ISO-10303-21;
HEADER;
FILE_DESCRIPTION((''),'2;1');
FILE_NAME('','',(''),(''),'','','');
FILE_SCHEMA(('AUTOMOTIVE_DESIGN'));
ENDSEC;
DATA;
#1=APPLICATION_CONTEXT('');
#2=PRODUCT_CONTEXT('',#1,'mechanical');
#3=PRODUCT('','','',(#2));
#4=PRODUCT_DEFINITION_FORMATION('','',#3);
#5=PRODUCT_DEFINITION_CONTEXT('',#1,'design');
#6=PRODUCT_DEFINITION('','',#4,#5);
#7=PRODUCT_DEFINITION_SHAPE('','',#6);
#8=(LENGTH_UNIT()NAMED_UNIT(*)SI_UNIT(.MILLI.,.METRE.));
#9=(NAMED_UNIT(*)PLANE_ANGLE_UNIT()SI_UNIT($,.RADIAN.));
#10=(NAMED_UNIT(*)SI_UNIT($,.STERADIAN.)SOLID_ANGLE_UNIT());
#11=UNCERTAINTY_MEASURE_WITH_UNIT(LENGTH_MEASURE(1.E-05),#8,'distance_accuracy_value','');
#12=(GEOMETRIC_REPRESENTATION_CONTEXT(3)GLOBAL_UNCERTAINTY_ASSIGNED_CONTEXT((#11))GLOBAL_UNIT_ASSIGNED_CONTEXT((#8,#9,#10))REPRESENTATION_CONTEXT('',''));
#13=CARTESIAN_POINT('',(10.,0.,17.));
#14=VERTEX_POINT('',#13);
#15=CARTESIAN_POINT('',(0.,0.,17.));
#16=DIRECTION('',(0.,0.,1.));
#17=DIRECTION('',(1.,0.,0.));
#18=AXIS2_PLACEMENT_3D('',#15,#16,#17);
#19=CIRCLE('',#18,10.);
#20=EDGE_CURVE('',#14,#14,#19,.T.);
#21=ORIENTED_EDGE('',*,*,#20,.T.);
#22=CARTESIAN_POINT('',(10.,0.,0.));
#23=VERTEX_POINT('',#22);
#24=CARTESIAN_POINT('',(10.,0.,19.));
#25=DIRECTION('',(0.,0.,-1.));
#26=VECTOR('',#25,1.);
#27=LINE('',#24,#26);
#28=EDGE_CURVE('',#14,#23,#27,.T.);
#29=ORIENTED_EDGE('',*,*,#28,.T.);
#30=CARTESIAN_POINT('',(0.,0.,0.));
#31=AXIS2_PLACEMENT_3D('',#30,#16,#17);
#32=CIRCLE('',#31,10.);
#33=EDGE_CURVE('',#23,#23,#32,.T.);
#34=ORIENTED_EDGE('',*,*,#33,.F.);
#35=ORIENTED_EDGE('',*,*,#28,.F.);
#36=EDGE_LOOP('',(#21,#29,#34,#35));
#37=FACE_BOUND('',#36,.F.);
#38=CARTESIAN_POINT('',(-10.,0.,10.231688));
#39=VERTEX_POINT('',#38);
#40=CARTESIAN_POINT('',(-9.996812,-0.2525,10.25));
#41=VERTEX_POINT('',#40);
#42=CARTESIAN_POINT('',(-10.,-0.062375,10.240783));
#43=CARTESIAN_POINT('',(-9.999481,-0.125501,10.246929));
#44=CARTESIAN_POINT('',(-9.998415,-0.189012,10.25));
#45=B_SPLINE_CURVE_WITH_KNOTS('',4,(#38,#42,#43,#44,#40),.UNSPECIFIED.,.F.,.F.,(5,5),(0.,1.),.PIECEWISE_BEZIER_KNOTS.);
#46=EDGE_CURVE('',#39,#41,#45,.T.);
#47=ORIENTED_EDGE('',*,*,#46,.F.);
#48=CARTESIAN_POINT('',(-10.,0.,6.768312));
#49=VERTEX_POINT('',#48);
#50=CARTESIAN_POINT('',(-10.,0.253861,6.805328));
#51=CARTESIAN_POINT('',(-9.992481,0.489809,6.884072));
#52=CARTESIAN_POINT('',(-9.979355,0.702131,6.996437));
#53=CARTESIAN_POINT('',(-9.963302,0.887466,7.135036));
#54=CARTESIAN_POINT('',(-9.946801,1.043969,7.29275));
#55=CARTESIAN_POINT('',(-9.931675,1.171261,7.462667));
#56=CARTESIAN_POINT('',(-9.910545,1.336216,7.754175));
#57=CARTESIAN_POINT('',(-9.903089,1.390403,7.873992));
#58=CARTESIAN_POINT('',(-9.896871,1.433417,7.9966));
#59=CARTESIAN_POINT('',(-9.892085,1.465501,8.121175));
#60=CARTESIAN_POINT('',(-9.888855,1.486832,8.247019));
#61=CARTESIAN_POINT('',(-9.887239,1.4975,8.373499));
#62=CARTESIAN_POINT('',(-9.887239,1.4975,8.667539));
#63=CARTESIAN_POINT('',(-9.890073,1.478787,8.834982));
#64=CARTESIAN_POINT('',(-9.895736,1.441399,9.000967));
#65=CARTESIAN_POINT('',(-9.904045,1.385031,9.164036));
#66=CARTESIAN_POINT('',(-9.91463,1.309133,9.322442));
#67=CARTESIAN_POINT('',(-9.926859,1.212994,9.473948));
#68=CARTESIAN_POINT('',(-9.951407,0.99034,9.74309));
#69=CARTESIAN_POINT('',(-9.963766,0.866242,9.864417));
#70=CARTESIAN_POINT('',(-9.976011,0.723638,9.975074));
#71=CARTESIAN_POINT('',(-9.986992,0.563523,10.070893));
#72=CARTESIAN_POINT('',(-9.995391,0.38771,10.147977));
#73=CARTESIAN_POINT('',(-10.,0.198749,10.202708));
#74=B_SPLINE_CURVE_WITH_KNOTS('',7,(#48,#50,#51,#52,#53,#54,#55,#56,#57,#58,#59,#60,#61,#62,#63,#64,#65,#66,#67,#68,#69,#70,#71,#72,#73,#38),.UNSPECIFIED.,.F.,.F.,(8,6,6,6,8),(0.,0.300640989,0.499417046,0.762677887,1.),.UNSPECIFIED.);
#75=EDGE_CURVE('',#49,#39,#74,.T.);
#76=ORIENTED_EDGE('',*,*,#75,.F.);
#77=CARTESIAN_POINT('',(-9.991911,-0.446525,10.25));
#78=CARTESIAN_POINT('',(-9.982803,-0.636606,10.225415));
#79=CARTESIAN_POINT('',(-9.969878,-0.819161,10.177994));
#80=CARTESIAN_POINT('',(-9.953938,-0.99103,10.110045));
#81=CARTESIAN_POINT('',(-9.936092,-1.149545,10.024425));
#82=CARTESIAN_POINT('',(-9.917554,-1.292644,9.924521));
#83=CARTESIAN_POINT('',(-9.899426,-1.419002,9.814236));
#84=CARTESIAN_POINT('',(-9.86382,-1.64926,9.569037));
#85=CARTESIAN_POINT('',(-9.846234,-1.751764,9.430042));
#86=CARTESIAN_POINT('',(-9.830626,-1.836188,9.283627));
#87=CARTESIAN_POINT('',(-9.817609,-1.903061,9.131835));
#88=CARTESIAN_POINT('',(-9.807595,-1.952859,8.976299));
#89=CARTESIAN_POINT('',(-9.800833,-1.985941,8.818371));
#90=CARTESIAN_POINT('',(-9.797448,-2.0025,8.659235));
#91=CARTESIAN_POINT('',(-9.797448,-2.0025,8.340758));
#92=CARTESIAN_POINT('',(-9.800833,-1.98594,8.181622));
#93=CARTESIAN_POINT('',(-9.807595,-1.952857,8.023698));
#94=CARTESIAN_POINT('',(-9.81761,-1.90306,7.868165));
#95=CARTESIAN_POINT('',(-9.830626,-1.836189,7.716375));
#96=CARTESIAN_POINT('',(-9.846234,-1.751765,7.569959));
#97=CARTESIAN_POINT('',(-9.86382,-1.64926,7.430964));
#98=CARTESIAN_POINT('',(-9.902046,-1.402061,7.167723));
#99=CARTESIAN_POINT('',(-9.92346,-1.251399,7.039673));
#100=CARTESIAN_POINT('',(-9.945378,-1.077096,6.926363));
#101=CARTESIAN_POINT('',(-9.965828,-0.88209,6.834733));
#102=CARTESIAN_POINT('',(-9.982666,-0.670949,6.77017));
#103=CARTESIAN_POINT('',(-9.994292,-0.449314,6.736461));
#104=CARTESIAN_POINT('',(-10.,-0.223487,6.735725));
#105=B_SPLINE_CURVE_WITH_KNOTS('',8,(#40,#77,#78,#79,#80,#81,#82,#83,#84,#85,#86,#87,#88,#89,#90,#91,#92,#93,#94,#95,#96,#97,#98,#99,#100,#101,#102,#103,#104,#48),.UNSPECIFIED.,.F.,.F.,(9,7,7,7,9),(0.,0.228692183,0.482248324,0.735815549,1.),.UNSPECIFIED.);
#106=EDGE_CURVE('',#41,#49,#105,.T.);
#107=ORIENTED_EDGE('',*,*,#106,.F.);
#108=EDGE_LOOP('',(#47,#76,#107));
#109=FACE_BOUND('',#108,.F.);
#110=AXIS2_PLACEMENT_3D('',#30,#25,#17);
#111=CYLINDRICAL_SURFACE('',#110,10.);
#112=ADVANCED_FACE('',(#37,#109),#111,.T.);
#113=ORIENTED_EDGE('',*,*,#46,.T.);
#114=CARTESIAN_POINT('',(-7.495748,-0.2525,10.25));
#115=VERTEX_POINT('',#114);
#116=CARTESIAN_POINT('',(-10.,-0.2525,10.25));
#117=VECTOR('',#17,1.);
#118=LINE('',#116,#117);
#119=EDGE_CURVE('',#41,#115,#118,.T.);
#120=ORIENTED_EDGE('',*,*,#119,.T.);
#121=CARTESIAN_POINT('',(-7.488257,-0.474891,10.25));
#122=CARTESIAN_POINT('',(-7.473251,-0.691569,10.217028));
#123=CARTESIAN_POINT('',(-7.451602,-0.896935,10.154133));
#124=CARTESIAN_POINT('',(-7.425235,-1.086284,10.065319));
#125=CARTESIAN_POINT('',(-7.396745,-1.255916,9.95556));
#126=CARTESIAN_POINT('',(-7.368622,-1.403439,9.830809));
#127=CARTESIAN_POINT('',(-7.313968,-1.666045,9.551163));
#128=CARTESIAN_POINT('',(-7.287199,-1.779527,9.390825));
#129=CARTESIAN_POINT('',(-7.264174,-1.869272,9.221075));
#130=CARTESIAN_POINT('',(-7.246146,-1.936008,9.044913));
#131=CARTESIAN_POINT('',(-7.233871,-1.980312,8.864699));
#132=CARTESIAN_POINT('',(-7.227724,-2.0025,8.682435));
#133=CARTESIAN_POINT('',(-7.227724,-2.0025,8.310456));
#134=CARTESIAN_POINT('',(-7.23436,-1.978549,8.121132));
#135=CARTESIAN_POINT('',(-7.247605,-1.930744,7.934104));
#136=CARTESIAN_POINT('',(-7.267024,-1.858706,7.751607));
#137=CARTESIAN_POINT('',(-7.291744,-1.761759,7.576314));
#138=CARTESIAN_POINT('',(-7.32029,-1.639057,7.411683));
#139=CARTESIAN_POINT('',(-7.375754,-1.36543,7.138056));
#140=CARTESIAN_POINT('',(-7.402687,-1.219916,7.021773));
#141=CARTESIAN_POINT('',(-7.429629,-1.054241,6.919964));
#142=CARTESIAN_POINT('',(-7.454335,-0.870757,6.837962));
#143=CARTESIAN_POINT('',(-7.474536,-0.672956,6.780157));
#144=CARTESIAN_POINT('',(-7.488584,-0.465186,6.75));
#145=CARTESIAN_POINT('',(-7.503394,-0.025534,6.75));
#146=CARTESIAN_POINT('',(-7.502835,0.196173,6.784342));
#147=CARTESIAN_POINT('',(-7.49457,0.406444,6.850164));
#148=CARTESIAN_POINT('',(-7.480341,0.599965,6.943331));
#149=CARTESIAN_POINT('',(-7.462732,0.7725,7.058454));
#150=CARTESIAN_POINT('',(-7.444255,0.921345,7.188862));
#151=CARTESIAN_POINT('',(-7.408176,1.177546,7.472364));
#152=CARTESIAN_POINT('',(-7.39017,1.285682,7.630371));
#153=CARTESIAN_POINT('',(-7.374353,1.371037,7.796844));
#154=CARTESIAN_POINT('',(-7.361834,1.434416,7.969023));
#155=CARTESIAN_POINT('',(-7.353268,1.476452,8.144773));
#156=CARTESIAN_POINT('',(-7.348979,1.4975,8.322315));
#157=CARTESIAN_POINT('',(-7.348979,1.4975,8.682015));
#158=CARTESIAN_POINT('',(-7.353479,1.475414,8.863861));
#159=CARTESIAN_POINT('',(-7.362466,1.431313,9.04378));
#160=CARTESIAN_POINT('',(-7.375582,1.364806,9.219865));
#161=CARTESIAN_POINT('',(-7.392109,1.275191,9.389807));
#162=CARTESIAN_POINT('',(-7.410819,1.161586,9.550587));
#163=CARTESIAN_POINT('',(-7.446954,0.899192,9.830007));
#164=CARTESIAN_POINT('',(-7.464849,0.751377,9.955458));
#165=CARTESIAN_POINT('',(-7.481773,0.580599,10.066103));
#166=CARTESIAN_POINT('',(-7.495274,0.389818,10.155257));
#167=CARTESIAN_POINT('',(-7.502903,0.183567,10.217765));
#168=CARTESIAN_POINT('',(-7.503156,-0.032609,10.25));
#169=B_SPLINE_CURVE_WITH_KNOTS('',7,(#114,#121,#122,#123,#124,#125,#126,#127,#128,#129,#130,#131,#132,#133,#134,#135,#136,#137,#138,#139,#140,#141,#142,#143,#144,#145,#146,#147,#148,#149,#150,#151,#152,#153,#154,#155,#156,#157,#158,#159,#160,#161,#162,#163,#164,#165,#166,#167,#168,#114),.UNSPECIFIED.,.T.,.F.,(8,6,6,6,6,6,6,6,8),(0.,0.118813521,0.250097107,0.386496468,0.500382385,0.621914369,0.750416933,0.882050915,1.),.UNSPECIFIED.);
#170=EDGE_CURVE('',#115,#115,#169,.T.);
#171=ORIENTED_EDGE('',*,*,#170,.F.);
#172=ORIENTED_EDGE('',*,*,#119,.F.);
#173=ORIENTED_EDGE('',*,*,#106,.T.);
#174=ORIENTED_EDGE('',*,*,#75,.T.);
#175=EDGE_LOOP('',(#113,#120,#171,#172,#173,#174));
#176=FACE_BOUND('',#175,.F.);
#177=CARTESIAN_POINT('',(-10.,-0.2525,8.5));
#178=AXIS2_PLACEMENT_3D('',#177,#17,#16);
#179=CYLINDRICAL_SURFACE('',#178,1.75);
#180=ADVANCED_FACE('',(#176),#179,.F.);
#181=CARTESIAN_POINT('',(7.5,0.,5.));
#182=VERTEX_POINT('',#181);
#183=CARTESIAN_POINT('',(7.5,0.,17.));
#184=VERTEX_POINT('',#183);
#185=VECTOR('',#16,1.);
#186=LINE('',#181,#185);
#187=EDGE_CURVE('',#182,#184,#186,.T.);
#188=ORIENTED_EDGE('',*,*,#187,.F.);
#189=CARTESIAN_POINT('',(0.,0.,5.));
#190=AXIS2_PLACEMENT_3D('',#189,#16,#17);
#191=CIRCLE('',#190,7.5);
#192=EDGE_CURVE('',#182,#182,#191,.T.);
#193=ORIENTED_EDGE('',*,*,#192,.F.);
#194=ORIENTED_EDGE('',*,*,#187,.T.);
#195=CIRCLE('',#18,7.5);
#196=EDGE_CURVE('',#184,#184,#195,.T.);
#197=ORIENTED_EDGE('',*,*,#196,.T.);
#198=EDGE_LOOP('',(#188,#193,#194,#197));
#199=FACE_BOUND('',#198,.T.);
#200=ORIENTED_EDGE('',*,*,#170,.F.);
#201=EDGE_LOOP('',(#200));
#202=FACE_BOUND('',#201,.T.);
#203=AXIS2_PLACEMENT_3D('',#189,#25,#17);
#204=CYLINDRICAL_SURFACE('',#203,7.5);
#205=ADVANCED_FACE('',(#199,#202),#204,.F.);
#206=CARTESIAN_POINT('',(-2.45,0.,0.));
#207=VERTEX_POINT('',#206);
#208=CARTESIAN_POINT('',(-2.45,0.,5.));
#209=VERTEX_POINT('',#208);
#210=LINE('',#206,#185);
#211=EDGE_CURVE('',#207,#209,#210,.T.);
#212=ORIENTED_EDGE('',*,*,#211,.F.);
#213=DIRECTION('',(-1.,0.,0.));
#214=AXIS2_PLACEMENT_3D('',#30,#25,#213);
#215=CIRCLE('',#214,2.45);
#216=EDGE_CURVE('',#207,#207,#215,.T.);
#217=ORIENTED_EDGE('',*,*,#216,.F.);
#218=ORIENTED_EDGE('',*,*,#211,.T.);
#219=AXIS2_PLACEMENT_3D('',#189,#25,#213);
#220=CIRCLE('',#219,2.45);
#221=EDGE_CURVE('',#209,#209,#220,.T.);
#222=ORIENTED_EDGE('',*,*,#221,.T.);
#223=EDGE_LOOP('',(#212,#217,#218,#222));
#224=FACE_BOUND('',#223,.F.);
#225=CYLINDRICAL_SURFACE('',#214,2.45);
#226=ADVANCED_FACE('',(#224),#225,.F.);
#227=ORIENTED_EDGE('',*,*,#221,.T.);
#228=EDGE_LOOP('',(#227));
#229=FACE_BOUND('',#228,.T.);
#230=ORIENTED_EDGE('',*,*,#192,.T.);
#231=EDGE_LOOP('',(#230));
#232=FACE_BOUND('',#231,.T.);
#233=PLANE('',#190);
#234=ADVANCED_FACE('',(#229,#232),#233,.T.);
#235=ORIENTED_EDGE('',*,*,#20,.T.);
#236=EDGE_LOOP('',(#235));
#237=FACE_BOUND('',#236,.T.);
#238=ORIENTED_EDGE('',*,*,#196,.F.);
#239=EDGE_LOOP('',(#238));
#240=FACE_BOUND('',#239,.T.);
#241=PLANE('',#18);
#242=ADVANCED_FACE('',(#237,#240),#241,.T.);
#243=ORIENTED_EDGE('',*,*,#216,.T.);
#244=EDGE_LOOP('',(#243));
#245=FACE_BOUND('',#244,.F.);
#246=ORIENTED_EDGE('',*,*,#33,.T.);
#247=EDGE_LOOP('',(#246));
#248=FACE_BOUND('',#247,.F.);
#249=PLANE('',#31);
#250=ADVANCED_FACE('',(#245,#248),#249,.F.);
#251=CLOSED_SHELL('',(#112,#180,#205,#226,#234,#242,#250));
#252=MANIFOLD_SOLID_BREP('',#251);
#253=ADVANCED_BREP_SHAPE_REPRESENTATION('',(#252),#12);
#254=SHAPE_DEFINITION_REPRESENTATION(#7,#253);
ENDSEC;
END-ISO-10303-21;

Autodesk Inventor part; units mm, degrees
ref_plane "XZ Plane" through (0, 0, 0) normal (0, 1, 0) x (-1, 0, 0)
ref_plane "XY Plane" through (0, 0, 0) normal (0, 0, 1) x (1, 0, 0)
sketch "Skizze1" plane through (0, 0, 0) normal (0, 0, 1) x (1, 0, 0)
  circle A0 centre (0, 0) radius 10
  dimension "d0" = 20
extrude "Extrusion1" add sketch "Skizze1" along normal blind 5
sketch "Skizze2" plane through (0, 0, 5) normal (0, 0, 1) x (1, 0, 0)
  circle A0 centre (0, 0) radius 7.5
  circle A1 centre (0, 0) radius 10
  dimension "d3" = 15
extrude "Extrusion2" add sketch "Skizze2" along normal blind 14
sketch "Skizze3" plane through (0, 0, 0) normal (0, 0, -1) x (-1, 0, 0)
  circle A0 centre (0, 0) radius 2.45
  dimension "d6" = 4.9
extrude "Extrusion3" cut sketch "Skizze3" against normal blind 5
ref_plane "Arbeitsebene1" through (-10, 0, 0) normal (1, 0, 0) x (0, 1, 0)
sketch "Skizze7" plane through (0, 0, 19) normal (0, 0, 1) x (1, 0, 0)
  circle A0 centre (0, 0) radius 7.5
  circle A1 centre (0, 0) radius 10
extrude "Extrusion6" cut sketch "Skizze7" against normal blind 2
sketch "Skizze9" plane through (-10, 0, 0) normal (1, 0, 0) x (0, 1, 0)
  line L0 (-10, 17) -> (10, 17) projected
  line L1 (-0.2525, 8.5) -> (9.7475, 8.5)
  line L2 (-0.2525, 8.5) -> (-10.2525, 8.5)
  point P0 (0, 0)
  dimension "d36" = 8.5
hole "Bohrung3" at (-10, -0.2525, 8.5) direction (1, 0, 0) diameter 3.5 depth 8 tip angle 118
properties part number "2.2 Fuß"
